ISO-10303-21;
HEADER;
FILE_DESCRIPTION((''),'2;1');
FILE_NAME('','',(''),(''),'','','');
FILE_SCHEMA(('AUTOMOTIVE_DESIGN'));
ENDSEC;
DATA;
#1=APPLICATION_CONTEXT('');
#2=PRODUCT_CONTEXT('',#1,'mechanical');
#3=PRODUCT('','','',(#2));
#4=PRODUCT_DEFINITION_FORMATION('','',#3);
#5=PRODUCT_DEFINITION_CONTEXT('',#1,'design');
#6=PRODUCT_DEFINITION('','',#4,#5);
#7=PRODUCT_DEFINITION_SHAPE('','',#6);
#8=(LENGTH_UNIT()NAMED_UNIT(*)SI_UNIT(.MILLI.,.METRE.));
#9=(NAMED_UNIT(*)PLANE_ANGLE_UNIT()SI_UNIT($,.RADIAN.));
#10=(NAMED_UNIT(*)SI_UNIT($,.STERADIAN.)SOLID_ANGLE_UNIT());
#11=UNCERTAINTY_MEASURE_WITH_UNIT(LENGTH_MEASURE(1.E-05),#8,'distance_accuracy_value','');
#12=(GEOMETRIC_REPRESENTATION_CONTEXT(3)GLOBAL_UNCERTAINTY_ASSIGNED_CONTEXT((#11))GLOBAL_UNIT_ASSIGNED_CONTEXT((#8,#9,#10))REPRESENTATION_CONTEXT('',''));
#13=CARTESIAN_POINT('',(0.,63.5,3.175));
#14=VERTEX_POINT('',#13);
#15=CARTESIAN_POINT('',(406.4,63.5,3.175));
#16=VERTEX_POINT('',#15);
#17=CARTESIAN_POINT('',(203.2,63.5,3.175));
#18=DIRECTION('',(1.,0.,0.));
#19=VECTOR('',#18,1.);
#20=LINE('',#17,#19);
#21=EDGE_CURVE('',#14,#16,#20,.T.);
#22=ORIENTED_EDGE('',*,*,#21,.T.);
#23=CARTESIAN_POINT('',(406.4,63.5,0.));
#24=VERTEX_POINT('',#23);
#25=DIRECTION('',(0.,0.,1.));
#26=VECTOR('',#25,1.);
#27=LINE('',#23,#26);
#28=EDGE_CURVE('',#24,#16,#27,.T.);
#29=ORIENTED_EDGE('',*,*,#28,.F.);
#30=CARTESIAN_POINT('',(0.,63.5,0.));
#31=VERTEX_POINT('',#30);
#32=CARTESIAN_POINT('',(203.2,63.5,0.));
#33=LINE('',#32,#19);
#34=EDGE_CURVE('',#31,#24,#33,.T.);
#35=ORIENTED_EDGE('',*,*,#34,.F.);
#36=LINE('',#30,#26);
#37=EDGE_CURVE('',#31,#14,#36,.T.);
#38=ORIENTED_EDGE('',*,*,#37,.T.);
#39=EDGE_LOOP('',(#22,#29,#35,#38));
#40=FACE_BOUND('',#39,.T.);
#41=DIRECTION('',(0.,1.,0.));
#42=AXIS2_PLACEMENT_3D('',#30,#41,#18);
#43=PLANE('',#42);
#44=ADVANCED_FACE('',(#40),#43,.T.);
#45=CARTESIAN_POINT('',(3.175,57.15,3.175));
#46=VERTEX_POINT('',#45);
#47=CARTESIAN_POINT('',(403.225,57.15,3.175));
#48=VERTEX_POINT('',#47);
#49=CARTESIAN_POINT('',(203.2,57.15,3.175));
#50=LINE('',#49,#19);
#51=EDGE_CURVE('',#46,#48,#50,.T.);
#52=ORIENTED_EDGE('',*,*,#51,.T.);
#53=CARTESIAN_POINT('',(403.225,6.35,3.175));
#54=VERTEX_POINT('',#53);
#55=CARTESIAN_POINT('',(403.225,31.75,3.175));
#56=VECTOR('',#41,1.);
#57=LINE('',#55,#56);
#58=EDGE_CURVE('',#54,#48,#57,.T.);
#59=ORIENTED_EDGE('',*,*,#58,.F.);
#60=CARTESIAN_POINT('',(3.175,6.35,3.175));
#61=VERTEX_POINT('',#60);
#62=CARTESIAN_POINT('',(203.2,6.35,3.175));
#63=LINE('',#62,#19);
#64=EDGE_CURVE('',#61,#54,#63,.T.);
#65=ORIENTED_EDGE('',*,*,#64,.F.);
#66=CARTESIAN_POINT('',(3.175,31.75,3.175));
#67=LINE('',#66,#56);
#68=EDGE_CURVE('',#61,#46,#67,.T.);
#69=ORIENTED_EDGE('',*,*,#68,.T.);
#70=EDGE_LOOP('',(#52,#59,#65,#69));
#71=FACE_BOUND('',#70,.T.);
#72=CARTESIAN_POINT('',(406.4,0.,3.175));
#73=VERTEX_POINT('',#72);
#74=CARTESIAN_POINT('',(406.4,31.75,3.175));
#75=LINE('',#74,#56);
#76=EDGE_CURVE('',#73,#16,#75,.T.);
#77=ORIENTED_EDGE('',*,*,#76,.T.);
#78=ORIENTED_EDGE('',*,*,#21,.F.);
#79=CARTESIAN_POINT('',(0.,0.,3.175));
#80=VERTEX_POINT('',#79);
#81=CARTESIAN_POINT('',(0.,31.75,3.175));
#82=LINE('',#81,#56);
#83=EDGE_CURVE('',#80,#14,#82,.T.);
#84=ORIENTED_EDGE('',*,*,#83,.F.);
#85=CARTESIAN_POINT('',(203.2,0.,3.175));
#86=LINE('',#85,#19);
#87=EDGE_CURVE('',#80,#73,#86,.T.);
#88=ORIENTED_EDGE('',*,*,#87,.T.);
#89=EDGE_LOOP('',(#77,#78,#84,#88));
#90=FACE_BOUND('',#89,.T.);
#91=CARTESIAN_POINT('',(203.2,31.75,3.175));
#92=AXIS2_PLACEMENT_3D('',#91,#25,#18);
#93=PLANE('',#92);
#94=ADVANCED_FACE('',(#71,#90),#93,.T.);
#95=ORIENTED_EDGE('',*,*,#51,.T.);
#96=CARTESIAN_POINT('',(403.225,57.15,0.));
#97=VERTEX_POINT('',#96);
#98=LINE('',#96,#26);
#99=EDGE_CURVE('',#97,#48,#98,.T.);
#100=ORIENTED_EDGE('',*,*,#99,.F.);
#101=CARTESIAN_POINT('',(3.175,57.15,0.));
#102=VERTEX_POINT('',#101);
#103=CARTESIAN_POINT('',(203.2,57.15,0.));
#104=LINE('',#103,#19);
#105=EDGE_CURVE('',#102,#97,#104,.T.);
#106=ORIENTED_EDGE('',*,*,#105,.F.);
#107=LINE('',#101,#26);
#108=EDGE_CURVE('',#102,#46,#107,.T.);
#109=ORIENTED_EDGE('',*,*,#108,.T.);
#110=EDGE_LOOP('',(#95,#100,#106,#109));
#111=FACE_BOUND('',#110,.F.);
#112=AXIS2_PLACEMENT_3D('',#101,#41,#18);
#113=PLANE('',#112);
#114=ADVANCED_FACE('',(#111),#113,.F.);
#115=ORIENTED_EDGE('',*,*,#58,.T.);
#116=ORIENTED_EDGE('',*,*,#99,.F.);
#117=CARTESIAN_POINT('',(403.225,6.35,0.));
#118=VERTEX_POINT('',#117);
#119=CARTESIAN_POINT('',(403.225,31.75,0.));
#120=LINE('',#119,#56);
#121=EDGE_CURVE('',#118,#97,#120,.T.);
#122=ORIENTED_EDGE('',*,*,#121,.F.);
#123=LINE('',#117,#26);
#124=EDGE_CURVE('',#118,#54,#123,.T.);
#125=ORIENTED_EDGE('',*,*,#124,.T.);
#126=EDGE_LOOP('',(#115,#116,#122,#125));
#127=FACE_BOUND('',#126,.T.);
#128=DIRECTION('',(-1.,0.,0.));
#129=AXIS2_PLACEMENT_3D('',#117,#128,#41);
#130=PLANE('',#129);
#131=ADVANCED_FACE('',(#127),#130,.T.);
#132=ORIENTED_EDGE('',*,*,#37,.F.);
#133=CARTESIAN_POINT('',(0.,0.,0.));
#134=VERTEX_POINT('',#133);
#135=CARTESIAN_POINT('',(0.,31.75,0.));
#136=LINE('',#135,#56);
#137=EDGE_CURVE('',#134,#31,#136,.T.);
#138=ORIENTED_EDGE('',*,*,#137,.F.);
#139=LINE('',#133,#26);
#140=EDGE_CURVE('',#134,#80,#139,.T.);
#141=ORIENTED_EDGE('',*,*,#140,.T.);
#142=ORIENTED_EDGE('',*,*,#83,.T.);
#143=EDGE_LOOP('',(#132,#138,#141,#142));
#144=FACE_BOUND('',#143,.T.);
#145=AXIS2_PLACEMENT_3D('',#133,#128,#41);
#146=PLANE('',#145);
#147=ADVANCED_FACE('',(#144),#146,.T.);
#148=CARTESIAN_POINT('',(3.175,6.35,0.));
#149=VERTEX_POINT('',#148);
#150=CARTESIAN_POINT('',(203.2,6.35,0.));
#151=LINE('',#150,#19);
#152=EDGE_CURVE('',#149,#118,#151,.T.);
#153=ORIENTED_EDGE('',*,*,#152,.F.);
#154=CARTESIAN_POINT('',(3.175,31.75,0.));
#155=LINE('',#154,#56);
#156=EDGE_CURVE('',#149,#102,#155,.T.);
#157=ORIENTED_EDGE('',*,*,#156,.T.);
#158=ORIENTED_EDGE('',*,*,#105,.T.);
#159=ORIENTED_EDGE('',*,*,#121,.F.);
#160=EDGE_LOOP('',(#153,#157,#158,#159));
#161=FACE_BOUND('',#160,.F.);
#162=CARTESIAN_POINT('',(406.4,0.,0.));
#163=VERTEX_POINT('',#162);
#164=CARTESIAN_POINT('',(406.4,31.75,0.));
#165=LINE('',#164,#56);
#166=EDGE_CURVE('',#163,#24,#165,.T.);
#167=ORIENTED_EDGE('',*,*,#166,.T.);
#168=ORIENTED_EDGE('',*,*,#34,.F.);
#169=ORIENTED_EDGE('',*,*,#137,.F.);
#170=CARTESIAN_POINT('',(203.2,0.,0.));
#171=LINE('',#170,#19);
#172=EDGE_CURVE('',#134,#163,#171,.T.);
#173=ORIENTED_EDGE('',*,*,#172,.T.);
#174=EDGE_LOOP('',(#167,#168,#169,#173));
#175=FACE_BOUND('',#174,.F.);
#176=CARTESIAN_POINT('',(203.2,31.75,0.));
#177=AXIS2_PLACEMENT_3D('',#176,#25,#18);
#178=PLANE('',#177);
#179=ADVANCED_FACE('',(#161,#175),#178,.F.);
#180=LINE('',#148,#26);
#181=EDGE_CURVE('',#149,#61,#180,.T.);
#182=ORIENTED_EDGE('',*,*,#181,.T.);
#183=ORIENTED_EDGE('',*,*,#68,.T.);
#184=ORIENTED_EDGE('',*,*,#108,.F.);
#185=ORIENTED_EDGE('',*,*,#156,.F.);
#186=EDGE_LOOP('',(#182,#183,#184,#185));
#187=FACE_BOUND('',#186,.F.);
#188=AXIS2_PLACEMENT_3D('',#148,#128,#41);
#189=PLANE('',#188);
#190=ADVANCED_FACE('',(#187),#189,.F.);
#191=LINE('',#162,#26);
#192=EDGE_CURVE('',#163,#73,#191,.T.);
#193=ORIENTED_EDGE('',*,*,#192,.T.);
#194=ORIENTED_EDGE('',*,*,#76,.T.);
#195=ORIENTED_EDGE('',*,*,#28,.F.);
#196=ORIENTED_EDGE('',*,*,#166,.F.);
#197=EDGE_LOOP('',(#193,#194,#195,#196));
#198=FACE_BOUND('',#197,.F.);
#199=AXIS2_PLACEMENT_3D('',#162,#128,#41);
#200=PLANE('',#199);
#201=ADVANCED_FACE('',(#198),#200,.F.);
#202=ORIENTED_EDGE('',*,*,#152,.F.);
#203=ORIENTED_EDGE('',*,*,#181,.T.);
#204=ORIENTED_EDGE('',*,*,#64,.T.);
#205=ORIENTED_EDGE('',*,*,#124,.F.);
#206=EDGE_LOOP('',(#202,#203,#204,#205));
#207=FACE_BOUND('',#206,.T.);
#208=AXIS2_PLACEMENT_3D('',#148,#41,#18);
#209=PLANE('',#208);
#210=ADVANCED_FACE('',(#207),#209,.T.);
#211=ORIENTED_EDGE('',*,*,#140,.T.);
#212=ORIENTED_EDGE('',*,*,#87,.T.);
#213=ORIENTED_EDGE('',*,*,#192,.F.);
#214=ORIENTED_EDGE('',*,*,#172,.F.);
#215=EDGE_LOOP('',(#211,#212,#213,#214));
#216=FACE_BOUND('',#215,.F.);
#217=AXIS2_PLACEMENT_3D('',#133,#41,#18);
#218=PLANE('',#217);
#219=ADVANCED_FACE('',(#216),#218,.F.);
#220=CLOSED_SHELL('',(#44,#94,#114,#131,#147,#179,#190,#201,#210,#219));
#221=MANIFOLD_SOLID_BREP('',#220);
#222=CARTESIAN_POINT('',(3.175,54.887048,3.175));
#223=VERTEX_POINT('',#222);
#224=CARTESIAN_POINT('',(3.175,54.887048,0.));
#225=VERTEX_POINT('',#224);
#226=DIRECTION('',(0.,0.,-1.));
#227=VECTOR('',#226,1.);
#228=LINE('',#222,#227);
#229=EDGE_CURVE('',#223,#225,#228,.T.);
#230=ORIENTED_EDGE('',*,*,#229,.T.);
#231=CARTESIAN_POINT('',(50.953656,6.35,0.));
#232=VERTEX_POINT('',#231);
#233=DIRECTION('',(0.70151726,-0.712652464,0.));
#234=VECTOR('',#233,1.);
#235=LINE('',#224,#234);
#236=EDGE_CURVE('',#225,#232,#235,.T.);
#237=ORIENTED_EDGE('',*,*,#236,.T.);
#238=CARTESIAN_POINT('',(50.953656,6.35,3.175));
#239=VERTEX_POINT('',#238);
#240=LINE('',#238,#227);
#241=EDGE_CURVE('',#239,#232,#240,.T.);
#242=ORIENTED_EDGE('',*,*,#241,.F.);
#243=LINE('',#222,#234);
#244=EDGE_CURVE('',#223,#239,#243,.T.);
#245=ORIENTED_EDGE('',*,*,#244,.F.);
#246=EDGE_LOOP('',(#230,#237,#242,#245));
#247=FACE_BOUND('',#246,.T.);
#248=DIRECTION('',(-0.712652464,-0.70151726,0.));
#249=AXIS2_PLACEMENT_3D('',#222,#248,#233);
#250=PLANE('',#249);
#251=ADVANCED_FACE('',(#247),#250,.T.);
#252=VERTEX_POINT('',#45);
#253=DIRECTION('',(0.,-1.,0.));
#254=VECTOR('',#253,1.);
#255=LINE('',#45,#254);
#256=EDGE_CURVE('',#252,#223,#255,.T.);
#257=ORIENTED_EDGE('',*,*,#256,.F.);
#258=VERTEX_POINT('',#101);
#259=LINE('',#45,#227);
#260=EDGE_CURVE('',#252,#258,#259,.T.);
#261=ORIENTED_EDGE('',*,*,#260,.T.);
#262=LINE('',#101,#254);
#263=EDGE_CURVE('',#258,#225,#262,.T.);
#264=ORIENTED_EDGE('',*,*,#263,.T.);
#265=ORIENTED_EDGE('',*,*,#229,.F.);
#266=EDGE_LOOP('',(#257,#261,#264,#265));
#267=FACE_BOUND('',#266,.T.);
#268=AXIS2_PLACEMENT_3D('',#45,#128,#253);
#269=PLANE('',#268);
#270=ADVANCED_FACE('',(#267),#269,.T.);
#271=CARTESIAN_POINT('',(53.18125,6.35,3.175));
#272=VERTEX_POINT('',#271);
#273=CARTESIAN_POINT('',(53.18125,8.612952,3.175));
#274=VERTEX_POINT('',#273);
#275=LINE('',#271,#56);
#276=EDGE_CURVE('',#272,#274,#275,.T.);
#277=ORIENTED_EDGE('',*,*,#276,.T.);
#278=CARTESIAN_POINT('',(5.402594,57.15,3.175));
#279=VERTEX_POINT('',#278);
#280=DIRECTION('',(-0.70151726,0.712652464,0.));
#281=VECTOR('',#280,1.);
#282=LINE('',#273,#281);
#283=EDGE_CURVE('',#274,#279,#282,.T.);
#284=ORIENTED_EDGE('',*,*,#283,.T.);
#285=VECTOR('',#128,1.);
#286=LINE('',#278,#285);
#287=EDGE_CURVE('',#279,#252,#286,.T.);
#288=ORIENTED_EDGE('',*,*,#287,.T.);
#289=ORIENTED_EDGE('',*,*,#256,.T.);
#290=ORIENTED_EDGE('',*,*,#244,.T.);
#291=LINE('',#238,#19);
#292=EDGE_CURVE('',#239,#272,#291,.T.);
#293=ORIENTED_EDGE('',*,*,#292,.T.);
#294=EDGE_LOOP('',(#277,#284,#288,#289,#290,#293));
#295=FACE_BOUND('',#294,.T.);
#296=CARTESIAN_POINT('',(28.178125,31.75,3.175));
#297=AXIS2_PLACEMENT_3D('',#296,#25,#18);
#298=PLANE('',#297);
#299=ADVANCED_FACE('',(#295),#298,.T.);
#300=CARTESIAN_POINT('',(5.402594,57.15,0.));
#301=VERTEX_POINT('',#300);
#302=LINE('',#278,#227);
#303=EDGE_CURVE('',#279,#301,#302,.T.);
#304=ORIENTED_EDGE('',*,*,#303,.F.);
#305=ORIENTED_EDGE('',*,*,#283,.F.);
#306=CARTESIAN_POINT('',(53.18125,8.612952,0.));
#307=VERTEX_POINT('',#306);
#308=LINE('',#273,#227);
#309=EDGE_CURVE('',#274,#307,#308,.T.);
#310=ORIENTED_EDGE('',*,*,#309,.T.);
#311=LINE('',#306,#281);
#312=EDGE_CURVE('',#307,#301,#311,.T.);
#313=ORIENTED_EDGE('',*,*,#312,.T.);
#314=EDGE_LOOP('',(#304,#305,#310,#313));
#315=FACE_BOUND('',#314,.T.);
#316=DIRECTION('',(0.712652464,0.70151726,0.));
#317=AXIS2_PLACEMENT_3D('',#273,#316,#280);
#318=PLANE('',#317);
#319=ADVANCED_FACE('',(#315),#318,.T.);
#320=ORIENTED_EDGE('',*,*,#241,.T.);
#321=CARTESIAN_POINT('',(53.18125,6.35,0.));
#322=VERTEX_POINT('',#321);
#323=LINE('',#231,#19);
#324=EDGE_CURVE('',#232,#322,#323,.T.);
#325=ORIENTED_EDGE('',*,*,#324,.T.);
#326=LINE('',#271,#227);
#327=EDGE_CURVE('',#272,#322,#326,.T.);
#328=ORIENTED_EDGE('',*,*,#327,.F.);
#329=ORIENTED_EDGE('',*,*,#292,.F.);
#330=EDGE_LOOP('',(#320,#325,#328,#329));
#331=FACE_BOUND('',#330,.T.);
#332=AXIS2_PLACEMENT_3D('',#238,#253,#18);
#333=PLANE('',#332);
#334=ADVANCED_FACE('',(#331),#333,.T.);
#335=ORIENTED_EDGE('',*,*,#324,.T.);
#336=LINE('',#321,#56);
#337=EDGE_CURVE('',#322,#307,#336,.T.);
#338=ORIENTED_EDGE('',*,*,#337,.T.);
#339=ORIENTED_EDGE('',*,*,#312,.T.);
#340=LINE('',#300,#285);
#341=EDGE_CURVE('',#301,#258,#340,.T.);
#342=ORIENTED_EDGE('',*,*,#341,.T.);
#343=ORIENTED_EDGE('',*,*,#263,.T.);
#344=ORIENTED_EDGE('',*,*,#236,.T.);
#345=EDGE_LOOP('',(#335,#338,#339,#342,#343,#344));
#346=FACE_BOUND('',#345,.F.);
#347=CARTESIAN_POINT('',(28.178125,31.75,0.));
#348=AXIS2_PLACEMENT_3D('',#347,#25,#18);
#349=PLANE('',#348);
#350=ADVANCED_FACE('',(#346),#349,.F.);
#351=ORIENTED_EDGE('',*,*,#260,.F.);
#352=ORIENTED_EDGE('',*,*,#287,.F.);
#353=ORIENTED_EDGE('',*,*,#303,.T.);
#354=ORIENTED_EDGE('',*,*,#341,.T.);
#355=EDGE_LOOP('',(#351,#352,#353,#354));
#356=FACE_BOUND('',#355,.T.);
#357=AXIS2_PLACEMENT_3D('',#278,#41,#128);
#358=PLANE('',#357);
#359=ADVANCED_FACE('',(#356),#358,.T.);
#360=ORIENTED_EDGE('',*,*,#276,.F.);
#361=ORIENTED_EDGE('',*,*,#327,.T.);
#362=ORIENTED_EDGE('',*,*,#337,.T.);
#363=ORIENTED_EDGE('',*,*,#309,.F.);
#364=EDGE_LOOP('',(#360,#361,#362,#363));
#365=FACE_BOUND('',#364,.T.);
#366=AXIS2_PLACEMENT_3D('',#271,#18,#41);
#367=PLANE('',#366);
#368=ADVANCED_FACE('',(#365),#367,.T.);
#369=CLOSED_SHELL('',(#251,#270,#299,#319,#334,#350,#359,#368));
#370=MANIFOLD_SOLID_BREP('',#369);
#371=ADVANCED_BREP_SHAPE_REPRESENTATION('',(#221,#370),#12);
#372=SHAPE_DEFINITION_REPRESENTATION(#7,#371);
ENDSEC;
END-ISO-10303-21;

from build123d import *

# Parameters (mm, degrees)
F0_W     = 406.4
F0_H     = 63.5
F0_W_2   = 400.05
F0_H_2   = 50.8
F1_DEPTH = 3.175
F3_DEPTH = 3.175


with BuildPart() as f1:
    # F0 (on Top) → F1 (new body)
    with BuildSketch(Plane.XY):
        with Locations((203.2, 31.75)):
            Rectangle(F0_W, F0_H)
        with Locations((203.2, 31.75)):
            Rectangle(F0_W_2, F0_H_2, mode=Mode.SUBTRACT)
    extrude(amount=F1_DEPTH)


with BuildPart() as f3:
    # F2 (on face) → F3 (new body)
    with BuildSketch(Plane.XY.offset(3.175)):
        Polygon((50.953656, 6.35), (53.18125, 6.35), (53.18125, 8.612952), (5.402594, 57.15), (3.175, 57.15), (3.175, 54.887048), align=None)
    extrude(amount=-F3_DEPTH)


solid = Compound([f1.part, f3.part])
